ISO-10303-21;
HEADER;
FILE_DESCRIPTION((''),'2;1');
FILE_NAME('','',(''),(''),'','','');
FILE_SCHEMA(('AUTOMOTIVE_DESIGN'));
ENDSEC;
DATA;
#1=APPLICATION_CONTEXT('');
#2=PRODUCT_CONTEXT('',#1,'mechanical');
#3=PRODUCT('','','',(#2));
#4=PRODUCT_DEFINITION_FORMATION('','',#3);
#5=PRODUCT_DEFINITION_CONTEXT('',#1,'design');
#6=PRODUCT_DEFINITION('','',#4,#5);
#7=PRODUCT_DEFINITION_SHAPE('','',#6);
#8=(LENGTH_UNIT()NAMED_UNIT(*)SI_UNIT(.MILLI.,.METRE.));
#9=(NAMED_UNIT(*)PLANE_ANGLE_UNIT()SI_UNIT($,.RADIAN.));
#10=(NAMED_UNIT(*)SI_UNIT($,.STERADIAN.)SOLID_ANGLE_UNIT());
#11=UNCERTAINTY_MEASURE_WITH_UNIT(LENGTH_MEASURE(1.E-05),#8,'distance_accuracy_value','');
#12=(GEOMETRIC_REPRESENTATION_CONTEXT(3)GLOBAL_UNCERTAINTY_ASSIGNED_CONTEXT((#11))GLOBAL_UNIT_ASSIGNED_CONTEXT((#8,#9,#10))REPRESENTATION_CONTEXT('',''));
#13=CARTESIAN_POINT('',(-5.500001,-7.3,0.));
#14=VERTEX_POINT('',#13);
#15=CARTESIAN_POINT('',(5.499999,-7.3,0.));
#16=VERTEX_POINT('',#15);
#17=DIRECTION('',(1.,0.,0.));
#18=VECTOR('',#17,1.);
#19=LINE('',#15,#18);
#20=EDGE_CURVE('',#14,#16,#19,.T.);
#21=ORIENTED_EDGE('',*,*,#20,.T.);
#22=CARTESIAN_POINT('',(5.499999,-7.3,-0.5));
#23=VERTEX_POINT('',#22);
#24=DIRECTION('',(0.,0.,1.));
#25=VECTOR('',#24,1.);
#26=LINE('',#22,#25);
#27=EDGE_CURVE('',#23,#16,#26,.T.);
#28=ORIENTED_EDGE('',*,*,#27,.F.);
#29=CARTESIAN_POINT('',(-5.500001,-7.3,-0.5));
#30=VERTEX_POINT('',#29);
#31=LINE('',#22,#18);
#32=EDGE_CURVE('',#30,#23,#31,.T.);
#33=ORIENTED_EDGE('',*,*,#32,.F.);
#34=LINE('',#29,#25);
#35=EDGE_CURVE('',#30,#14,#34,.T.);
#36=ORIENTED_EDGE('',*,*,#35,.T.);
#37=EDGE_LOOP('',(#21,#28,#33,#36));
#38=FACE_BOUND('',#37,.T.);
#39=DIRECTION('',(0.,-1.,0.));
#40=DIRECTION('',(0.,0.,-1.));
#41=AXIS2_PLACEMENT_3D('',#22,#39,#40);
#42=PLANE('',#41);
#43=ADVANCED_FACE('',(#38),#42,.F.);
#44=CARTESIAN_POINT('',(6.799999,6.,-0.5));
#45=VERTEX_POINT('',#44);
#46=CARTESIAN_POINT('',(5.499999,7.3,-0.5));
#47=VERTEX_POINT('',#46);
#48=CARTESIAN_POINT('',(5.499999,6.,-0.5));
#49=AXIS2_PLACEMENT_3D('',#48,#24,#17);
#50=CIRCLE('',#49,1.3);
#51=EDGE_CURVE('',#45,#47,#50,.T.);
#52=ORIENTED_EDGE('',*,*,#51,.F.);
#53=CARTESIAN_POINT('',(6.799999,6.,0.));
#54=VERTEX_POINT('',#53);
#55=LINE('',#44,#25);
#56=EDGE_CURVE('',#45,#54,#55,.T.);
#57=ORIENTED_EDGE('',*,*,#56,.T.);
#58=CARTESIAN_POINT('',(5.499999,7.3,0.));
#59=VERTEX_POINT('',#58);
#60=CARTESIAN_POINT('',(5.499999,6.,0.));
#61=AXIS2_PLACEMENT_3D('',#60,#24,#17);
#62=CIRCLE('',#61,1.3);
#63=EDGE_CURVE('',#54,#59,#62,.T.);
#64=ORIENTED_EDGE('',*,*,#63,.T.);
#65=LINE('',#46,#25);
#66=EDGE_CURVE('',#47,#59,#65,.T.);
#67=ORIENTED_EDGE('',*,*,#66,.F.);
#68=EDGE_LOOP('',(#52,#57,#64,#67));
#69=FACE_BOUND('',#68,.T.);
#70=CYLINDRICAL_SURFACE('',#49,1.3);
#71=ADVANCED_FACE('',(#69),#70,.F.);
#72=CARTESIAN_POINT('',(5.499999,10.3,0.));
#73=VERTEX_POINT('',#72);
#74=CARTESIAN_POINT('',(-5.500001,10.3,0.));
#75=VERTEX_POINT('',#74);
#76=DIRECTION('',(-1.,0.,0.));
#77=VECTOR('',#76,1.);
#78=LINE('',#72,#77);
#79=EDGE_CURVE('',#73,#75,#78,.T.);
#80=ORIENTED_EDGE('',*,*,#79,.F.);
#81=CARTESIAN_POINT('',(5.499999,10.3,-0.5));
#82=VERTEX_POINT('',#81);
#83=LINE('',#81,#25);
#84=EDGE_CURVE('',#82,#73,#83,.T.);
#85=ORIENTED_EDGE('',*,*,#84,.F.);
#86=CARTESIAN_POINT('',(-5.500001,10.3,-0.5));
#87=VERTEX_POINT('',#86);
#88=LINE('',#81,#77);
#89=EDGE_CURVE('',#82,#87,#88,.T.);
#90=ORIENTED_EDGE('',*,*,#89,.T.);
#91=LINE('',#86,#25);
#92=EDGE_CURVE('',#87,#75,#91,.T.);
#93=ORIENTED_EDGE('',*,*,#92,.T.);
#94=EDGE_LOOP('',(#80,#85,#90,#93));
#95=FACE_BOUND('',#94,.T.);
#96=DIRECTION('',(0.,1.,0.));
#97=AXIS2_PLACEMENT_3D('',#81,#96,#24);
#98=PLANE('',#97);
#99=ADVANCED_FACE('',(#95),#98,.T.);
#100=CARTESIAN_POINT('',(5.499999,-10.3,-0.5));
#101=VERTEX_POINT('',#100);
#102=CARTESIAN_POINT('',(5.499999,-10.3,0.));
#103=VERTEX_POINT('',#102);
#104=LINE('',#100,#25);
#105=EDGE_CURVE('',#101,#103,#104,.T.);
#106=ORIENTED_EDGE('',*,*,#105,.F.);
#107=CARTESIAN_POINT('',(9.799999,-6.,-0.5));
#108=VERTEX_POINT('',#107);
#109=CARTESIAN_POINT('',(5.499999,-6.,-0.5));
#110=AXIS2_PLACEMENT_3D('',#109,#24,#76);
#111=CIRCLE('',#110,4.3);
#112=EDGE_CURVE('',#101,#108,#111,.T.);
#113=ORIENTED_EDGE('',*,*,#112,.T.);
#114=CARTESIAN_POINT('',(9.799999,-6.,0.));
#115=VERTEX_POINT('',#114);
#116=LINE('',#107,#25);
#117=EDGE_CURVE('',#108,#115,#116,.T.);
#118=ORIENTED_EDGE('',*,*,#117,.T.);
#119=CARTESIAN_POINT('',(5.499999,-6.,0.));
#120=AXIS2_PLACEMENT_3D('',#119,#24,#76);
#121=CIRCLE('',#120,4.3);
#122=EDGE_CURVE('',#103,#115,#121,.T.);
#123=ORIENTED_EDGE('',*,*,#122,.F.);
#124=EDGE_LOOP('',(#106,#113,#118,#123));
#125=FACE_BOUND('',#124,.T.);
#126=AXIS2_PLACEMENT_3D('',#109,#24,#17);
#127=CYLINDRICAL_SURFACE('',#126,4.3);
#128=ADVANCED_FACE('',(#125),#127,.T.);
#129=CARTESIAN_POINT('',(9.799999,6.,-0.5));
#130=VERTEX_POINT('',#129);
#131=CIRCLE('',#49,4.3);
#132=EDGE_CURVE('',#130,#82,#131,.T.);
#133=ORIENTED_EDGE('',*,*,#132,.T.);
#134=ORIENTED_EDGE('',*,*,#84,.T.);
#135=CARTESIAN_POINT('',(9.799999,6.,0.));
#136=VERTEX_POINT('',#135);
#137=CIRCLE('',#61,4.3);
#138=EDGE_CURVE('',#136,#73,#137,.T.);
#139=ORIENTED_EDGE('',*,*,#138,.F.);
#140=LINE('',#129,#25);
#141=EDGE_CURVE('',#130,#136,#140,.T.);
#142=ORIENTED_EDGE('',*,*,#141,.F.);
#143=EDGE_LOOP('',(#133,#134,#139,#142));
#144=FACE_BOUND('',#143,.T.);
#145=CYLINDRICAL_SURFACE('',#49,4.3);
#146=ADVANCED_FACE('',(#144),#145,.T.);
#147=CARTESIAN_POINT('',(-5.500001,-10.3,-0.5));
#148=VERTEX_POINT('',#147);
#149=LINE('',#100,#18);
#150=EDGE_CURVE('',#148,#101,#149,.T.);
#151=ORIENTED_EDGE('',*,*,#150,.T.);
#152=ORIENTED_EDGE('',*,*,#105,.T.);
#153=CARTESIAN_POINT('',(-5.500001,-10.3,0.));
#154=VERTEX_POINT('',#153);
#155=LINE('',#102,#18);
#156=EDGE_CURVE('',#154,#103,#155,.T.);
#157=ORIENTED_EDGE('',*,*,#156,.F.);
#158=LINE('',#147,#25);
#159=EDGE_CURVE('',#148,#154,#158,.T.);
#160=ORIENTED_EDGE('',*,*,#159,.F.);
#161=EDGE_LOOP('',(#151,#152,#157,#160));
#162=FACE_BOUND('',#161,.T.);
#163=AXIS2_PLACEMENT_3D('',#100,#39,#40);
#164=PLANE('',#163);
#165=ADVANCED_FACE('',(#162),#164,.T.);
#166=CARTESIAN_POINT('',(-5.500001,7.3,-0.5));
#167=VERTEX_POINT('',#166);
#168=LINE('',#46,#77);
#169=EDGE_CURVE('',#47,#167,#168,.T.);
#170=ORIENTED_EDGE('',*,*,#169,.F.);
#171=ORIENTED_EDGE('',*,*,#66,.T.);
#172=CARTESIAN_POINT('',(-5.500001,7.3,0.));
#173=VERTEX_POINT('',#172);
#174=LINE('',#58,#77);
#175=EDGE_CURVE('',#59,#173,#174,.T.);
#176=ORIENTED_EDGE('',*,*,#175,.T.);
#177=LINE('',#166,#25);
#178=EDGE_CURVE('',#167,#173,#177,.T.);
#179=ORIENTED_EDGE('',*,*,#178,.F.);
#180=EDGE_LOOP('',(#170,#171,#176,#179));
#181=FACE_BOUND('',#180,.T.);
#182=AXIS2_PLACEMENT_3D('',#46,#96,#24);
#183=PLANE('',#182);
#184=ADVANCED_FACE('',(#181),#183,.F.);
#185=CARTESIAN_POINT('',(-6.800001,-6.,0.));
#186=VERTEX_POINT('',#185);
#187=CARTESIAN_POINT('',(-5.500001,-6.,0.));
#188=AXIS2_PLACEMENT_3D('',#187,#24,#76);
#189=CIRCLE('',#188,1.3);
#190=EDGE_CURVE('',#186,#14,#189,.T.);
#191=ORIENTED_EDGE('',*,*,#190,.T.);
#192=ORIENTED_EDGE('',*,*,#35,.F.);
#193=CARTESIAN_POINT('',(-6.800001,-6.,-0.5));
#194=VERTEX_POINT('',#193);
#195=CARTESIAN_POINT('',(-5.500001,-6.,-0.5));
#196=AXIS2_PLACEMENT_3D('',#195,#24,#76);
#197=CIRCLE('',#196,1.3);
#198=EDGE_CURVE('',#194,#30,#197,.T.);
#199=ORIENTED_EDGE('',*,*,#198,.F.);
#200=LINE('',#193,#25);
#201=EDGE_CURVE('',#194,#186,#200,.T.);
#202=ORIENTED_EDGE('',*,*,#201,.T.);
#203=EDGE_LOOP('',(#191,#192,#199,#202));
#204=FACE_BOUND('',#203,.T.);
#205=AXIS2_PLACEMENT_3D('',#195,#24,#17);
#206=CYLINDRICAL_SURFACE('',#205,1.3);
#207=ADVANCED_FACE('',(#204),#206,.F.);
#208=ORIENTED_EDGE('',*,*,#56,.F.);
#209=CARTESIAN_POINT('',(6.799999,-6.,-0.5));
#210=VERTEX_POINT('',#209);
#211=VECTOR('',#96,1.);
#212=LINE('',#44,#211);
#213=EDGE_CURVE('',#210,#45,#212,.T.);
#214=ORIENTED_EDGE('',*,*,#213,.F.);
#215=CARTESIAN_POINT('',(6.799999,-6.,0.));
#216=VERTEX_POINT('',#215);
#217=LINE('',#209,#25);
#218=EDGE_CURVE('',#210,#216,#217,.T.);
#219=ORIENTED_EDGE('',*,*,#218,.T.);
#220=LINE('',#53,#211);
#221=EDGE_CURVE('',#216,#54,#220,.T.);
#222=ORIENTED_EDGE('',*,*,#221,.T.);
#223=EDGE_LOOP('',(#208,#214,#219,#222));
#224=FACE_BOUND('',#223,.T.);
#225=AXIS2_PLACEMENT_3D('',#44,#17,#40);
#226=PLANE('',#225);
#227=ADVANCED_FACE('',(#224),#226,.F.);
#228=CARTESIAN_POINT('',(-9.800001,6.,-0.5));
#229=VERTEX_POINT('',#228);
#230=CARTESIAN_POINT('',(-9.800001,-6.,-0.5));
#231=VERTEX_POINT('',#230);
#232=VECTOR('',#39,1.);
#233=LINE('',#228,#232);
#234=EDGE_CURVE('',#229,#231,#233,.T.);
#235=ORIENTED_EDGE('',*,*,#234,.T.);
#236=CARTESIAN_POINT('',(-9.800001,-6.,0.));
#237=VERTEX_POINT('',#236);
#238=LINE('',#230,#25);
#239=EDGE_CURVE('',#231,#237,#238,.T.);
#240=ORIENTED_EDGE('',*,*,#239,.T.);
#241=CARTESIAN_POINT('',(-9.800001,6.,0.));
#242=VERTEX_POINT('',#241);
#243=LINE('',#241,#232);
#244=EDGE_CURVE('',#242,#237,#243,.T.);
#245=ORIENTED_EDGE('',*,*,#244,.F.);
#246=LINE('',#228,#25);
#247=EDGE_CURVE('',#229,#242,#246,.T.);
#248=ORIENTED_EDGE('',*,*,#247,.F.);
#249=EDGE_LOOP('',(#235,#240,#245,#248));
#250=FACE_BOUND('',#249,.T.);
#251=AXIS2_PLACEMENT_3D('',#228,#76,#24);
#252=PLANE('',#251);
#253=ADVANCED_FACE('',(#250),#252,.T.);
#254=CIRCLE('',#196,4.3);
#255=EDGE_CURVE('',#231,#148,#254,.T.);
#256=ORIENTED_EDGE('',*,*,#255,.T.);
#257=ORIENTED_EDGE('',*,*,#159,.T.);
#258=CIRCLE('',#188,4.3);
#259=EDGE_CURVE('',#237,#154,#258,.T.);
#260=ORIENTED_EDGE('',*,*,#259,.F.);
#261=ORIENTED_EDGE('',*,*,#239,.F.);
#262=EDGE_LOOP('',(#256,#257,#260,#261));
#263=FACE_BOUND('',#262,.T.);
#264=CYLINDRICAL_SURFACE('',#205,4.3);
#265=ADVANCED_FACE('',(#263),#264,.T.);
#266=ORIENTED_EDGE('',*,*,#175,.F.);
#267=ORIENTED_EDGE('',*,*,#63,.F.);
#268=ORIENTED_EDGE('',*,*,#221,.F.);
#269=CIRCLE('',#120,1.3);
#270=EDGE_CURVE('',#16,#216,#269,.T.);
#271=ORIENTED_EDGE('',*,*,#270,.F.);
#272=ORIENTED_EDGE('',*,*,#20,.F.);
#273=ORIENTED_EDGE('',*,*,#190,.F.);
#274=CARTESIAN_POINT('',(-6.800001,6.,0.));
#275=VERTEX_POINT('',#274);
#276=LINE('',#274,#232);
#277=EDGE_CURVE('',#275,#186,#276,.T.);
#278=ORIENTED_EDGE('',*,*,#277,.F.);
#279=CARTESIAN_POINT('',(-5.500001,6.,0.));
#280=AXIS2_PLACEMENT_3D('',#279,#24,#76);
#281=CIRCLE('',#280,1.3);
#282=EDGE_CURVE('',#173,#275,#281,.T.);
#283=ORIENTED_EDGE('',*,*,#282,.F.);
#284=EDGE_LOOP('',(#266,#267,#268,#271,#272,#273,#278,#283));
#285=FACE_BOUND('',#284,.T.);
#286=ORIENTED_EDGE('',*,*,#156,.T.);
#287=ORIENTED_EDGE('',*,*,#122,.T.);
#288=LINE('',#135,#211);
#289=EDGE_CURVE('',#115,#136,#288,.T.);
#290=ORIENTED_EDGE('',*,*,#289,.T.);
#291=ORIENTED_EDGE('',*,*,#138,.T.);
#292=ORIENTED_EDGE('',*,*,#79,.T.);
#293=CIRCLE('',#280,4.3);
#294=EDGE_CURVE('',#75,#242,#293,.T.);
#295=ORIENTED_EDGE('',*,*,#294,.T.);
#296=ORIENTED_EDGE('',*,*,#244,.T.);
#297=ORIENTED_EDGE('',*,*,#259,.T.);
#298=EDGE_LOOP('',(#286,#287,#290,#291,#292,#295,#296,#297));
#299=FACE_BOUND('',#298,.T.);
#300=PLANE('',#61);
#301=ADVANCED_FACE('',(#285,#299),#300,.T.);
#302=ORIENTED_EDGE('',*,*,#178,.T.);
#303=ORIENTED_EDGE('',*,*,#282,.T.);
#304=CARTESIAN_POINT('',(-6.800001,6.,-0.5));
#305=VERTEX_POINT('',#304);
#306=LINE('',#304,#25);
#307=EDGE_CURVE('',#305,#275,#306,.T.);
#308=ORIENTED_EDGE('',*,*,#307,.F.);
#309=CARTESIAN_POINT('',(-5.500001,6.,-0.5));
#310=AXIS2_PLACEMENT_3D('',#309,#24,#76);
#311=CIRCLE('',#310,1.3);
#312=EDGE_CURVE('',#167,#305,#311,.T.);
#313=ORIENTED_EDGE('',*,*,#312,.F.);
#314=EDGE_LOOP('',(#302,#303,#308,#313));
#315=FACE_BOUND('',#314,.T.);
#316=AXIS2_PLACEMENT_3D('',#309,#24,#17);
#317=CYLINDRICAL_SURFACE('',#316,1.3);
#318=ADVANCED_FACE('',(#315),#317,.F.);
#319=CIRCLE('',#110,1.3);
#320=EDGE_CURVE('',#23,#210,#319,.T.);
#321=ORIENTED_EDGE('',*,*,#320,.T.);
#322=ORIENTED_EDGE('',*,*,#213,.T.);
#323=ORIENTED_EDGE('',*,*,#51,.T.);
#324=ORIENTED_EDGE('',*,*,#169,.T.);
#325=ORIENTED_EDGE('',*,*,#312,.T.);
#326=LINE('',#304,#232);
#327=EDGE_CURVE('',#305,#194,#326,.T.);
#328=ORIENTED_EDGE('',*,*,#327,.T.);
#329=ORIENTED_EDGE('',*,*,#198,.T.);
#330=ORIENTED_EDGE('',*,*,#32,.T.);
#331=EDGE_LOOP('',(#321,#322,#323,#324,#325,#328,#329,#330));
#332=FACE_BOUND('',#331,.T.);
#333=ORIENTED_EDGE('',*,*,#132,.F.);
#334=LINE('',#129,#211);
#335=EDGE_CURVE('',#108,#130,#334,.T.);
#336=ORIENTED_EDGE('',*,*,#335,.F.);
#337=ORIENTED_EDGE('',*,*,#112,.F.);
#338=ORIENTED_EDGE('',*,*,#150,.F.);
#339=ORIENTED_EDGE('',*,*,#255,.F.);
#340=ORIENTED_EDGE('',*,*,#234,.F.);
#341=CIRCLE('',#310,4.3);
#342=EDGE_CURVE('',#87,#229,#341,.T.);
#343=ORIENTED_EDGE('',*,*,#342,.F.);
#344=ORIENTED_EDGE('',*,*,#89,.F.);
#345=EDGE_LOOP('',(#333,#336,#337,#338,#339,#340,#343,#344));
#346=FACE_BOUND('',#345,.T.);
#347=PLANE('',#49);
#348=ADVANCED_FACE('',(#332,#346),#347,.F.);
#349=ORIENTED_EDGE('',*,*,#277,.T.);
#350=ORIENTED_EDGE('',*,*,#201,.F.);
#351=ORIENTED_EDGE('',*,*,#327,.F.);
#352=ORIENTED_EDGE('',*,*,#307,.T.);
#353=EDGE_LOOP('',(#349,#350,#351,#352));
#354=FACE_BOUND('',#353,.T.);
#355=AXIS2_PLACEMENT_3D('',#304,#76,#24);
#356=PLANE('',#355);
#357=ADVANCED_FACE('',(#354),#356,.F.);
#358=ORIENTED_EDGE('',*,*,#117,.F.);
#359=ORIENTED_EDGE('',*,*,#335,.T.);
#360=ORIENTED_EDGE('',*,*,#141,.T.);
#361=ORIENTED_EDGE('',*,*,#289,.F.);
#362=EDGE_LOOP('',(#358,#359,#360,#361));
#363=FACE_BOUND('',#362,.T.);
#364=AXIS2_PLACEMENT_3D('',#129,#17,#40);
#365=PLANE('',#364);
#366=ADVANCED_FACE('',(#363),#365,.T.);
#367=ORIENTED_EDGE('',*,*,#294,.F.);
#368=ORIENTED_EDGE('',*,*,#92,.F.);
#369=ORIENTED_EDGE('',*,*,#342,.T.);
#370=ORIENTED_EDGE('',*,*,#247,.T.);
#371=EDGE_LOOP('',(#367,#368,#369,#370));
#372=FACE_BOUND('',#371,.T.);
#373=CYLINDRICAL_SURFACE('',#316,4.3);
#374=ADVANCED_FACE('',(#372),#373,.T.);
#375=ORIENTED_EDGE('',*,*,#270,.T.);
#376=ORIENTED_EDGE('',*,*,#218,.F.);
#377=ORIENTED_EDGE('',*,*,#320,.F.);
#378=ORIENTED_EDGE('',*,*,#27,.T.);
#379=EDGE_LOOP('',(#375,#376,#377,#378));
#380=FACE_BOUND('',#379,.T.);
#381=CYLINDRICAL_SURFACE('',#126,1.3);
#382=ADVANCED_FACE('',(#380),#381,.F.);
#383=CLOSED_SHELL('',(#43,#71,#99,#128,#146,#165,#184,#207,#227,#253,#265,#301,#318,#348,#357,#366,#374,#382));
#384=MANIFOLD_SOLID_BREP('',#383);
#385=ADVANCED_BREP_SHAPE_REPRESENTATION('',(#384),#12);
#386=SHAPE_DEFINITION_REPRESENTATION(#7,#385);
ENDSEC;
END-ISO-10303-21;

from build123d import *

# Parameters (mm, degrees)
BOSS_EXTRUDE1_DEPTH = 0.5


with BuildPart() as part:
    # Sketch1 → Boss-Extrude1 (new body)
    with BuildSketch(Plane.XY):
        with BuildLine():
            Line((5.499999476, 10.300000481), (-5.500000524, 10.300000481))
            ThreePointArc((-5.500000524, 10.300000481), (-8.540559684, 9.04055964), (-9.800000524, 6.000000481))
            Line((-9.800000524, 6.000000481), (-9.800000524, -6.000000481))
            ThreePointArc((-9.800000524, -6.000000481), (-8.540559684, -9.04055964), (-5.500000524, -10.300000481))
            Line((-5.500000524, -10.300000481), (5.499999476, -10.300000481))
            ThreePointArc((5.499999476, -10.300000481), (8.540558635, -9.04055964), (9.799999476, -6.000000481))
            Line((9.799999476, -6.000000481), (9.799999476, 6.000000481))
            ThreePointArc((9.799999476, 6.000000481), (8.540558635, 9.04055964), (5.499999476, 10.300000481))
        make_face()
        with BuildLine():
            Line((5.499999476, 7.300000481), (-5.500000524, 7.300000481))
            ThreePointArc((-5.500000524, 7.300000481), (-6.41923934, 6.919239296), (-6.800000524, 6.000000481))
            Line((-6.800000524, 6.000000481), (-6.800000524, -6.000000481))
            ThreePointArc((-6.800000524, -6.000000481), (-6.41923934, -6.919239296), (-5.500000524, -7.300000481))
            Line((-5.500000524, -7.300000481), (5.499999476, -7.300000481))
            ThreePointArc((5.499999476, -7.300000481), (6.419238291, -6.919239296), (6.799999476, -6.000000481))
            Line((6.799999476, -6.000000481), (6.799999476, 6.000000481))
            ThreePointArc((6.799999476, 6.000000481), (6.419238291, 6.919239296), (5.499999476, 7.300000481))
        make_face(mode=Mode.SUBTRACT)
    extrude(amount=-BOSS_EXTRUDE1_DEPTH)


solid = part.part
